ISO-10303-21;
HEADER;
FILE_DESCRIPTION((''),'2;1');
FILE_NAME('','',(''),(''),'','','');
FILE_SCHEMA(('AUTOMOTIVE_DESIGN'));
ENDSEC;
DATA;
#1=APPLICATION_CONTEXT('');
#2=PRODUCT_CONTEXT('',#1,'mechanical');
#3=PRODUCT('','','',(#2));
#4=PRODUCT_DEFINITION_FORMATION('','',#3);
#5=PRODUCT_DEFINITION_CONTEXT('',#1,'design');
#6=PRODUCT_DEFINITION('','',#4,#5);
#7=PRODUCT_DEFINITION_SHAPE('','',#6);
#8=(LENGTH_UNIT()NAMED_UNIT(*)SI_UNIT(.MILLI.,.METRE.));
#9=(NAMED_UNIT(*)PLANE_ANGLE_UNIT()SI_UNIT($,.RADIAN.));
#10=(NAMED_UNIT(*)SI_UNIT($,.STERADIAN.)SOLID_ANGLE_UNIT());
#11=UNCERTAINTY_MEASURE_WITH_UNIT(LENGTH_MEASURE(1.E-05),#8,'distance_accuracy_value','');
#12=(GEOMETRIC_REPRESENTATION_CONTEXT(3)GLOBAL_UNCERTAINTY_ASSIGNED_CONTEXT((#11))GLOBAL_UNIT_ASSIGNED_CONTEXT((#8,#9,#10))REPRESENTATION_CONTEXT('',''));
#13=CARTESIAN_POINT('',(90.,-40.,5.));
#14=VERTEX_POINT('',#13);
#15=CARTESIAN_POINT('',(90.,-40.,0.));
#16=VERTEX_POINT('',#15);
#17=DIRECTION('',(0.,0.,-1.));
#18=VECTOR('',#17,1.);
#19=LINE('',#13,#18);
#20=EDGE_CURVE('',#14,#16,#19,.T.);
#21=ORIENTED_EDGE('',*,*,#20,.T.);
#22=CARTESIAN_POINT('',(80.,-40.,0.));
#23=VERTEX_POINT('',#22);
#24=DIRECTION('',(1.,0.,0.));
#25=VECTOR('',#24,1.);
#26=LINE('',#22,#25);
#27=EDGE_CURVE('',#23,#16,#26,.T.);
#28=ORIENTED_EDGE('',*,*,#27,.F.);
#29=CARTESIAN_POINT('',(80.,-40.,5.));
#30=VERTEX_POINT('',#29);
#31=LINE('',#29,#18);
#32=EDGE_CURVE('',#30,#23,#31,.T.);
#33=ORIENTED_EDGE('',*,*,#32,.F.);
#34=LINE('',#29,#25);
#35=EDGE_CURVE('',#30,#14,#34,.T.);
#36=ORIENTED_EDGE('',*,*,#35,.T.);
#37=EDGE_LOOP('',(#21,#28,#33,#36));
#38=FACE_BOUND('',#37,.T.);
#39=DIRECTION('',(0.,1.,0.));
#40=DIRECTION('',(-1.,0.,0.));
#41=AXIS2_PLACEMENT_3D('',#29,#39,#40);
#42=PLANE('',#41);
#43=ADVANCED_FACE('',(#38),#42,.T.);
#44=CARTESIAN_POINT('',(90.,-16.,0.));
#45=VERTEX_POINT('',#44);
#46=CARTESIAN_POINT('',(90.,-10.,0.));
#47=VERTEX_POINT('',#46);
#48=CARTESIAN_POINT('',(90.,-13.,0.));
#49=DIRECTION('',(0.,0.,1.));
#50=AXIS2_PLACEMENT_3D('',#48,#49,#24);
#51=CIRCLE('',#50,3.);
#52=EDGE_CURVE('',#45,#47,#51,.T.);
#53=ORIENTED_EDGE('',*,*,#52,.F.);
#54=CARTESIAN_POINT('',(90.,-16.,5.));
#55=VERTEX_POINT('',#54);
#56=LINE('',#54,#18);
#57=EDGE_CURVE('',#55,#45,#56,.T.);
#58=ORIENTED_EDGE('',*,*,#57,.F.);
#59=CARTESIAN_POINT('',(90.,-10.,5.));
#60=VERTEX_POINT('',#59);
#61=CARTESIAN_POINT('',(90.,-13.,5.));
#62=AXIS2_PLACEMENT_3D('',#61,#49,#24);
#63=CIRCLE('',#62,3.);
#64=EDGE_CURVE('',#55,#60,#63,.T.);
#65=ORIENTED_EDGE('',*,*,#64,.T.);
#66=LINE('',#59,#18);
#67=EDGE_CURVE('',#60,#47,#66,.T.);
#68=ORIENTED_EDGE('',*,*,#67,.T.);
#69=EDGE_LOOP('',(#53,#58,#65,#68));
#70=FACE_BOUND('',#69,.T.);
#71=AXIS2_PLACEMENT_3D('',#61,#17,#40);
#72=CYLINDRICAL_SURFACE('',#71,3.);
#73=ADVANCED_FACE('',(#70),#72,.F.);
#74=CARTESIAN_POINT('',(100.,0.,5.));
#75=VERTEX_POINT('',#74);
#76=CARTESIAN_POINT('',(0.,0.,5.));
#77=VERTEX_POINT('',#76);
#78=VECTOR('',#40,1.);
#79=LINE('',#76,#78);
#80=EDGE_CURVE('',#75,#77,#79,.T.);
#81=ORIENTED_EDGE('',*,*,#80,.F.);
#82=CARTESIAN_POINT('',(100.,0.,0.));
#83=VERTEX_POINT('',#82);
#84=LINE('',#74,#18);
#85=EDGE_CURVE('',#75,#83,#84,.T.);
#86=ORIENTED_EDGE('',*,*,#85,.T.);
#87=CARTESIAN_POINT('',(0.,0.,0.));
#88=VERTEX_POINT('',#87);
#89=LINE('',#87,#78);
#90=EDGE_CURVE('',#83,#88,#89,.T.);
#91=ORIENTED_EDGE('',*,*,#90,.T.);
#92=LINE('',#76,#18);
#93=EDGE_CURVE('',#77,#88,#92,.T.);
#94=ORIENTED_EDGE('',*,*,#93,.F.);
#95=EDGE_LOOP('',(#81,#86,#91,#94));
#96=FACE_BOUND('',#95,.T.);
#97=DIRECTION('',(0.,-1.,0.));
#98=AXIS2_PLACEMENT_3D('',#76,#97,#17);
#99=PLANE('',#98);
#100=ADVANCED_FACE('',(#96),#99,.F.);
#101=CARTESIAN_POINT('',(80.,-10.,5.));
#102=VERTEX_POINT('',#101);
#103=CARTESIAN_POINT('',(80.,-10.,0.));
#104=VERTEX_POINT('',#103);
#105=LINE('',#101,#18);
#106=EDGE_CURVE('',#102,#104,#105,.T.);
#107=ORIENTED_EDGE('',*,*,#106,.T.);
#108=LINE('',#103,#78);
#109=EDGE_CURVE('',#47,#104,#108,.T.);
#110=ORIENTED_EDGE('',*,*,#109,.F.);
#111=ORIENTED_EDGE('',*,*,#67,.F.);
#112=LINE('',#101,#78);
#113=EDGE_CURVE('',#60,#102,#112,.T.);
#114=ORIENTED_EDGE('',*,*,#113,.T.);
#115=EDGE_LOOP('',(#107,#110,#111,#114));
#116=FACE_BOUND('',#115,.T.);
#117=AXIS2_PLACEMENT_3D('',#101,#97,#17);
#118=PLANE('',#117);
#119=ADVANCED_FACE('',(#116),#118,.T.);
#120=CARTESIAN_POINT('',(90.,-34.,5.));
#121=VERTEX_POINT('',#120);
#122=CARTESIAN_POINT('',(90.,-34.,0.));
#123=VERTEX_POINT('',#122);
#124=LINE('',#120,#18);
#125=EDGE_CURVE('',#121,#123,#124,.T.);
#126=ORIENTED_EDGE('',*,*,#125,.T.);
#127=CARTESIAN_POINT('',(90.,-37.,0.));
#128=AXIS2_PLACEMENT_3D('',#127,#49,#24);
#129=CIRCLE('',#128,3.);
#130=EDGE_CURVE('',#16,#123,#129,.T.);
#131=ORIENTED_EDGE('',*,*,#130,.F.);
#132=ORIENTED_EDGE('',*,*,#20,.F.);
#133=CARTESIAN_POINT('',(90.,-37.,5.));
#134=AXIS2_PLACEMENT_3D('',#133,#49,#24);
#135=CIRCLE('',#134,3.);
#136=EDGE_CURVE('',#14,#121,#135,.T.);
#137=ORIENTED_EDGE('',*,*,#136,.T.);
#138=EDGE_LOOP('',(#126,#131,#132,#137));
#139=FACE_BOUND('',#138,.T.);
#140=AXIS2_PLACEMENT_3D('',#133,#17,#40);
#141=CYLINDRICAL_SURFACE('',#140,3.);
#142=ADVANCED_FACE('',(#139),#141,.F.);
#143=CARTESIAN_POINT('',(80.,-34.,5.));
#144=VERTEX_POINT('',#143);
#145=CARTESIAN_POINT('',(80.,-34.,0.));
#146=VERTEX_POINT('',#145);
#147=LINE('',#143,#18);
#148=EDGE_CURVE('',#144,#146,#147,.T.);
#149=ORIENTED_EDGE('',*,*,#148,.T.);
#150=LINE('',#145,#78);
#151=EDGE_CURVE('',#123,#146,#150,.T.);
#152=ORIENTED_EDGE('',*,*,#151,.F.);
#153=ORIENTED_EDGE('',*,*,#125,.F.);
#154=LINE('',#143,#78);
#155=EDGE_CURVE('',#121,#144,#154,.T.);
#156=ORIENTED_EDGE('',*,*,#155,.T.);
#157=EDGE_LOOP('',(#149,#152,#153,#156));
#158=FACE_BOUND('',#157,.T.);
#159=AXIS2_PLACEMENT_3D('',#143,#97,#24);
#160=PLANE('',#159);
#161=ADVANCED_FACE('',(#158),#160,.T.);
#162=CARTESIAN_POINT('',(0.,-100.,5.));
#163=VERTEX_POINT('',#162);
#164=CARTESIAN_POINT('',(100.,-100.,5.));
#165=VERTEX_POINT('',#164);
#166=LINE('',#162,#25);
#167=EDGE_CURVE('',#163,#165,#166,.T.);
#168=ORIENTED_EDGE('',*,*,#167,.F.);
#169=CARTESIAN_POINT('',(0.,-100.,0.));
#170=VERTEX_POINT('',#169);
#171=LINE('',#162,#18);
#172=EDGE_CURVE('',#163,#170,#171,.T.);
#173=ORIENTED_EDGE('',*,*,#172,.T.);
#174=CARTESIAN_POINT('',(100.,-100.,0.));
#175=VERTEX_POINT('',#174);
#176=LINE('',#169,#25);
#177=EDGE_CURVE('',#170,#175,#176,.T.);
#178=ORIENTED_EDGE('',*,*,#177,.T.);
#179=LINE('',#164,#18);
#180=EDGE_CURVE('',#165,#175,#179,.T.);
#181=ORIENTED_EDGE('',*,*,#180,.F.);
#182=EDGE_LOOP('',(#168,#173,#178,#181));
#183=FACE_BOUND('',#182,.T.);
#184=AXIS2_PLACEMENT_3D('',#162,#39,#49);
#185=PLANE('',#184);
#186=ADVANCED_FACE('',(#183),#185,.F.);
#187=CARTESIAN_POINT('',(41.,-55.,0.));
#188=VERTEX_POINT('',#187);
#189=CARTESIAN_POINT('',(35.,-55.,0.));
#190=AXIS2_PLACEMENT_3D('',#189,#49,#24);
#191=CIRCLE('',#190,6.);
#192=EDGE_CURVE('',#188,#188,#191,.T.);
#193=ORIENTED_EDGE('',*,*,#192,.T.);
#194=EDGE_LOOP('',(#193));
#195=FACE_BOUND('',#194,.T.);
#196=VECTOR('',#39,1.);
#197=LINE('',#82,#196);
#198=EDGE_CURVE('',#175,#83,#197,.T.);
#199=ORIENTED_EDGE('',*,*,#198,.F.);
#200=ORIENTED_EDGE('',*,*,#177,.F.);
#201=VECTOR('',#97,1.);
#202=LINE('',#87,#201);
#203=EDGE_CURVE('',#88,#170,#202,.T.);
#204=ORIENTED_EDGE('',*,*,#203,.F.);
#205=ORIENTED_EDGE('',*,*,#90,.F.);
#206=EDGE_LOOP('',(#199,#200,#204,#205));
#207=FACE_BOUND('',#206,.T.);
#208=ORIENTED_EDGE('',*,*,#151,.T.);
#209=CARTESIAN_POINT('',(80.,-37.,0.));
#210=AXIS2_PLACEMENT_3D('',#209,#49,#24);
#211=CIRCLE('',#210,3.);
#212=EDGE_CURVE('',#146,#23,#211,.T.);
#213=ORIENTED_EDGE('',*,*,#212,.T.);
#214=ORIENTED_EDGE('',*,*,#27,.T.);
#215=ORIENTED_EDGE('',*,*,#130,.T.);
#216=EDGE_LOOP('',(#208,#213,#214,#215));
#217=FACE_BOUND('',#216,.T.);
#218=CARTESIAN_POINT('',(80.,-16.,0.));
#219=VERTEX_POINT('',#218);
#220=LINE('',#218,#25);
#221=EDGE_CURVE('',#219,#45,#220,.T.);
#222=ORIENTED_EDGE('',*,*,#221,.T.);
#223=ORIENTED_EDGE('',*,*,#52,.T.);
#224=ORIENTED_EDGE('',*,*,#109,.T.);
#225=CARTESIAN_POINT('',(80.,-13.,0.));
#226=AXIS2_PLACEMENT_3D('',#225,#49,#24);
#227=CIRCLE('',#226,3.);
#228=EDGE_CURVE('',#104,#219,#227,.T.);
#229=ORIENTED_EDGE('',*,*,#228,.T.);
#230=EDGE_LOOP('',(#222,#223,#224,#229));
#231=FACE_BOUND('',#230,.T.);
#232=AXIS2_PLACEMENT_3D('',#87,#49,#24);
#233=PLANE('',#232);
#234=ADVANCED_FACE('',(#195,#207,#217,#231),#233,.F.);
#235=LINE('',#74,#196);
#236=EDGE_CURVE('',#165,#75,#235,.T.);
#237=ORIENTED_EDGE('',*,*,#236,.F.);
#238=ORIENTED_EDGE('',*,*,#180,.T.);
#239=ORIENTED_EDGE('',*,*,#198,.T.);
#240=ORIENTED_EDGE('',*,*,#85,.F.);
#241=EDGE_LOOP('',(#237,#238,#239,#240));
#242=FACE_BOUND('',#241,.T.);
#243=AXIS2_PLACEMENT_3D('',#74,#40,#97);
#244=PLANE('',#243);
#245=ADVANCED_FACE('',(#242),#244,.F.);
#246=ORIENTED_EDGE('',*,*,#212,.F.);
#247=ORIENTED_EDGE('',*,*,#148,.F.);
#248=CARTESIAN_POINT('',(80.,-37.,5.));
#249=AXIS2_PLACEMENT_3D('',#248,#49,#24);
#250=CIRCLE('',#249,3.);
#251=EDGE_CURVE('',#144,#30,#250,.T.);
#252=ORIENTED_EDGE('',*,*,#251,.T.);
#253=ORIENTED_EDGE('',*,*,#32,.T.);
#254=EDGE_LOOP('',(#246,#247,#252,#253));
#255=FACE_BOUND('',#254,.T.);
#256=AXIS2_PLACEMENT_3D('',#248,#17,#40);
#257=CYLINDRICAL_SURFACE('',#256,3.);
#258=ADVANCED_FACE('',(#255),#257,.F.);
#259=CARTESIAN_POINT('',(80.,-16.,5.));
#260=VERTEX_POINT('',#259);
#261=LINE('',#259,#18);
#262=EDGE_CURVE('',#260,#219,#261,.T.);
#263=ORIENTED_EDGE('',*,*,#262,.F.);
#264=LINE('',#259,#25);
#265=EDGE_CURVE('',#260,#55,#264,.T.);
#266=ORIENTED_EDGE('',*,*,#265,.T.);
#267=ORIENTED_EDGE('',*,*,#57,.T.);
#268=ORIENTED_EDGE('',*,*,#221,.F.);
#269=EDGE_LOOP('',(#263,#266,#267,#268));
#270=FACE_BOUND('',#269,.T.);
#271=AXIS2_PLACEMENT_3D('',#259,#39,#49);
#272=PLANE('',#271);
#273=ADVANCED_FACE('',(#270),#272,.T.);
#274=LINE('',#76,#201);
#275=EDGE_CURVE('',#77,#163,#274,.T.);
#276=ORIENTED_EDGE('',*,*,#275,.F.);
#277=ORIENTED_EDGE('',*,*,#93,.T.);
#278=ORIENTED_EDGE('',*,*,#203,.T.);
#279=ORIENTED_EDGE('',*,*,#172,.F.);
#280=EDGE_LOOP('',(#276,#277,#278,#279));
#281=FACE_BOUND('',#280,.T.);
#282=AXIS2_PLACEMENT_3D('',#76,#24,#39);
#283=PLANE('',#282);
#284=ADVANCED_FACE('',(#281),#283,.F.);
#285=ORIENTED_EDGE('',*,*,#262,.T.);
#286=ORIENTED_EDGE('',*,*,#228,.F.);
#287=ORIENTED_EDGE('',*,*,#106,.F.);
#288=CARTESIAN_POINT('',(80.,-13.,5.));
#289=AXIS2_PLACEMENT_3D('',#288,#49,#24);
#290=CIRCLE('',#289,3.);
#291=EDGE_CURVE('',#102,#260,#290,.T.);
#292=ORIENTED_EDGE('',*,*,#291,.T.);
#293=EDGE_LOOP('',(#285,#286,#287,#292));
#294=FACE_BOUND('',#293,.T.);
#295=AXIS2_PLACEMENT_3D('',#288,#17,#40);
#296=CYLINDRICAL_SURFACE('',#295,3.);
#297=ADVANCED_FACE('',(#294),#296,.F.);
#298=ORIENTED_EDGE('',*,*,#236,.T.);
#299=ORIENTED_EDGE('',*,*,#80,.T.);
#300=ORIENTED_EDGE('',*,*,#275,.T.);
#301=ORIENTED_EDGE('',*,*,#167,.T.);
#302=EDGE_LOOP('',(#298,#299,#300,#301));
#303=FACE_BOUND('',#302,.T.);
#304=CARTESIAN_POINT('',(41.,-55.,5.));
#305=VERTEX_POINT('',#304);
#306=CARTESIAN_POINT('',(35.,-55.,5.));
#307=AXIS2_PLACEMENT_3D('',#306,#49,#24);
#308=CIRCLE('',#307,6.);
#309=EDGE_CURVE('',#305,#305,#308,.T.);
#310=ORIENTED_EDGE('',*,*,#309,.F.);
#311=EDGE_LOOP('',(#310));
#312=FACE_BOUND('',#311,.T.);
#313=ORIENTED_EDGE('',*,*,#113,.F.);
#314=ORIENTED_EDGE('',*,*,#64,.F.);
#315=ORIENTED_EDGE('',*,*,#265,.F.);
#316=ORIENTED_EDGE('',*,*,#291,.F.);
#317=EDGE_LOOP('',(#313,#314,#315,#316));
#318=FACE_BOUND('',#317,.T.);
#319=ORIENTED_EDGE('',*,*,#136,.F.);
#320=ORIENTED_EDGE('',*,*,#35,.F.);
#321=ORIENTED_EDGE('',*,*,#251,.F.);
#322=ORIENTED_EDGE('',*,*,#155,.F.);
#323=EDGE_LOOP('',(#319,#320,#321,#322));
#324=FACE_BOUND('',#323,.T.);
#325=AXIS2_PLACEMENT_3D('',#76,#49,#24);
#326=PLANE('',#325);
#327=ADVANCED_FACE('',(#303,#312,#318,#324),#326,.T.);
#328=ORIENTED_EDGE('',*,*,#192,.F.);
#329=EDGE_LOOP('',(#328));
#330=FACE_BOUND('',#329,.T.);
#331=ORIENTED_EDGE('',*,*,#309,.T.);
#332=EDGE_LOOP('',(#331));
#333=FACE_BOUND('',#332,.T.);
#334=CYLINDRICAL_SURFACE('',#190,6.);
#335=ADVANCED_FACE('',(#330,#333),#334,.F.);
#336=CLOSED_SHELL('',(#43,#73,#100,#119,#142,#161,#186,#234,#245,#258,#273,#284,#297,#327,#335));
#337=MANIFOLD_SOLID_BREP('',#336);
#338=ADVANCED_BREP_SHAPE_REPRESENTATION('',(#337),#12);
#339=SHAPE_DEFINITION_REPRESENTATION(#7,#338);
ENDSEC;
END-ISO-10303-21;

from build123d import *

# Parameters (mm, degrees)
ESQUISSE1_W             = 100
ESQUISSE1_H             = 100
BOSS_EXTRU_1_DEPTH      = 5
ESQUISSE2_R             = 6
ENL_V_MAT_EXTRU_1_DEPTH = 5


with BuildPart() as part:
    # Esquisse1 → Boss.-Extru.1 (new body)
    with BuildSketch(Plane.XY):
        with Locations((50, -50)):
            Rectangle(ESQUISSE1_W, ESQUISSE1_H)
        with BuildLine():
            Line((80, -10), (90, -10))
            ThreePointArc((90, -10), (93, -13), (90, -16))
            Line((90, -16), (80, -16))
            ThreePointArc((80, -16), (77, -13), (80, -10))
        make_face(mode=Mode.SUBTRACT)
        with BuildLine():
            Line((80, -34), (90, -34))
            ThreePointArc((90, -34), (93, -37), (90, -40))
            Line((90, -40), (80, -40))
            ThreePointArc((80, -40), (77, -37), (80, -34))
        make_face(mode=Mode.SUBTRACT)
    extrude(amount=BOSS_EXTRU_1_DEPTH)

    # Esquisse2 → Enlèv. mat.-Extru.1 (cut)
    with BuildSketch(Plane.XY.offset(5)):
        with Locations((35, -55)):
            Circle(ESQUISSE2_R)
    extrude(amount=-ENL_V_MAT_EXTRU_1_DEPTH, mode=Mode.SUBTRACT)


solid = part.part
